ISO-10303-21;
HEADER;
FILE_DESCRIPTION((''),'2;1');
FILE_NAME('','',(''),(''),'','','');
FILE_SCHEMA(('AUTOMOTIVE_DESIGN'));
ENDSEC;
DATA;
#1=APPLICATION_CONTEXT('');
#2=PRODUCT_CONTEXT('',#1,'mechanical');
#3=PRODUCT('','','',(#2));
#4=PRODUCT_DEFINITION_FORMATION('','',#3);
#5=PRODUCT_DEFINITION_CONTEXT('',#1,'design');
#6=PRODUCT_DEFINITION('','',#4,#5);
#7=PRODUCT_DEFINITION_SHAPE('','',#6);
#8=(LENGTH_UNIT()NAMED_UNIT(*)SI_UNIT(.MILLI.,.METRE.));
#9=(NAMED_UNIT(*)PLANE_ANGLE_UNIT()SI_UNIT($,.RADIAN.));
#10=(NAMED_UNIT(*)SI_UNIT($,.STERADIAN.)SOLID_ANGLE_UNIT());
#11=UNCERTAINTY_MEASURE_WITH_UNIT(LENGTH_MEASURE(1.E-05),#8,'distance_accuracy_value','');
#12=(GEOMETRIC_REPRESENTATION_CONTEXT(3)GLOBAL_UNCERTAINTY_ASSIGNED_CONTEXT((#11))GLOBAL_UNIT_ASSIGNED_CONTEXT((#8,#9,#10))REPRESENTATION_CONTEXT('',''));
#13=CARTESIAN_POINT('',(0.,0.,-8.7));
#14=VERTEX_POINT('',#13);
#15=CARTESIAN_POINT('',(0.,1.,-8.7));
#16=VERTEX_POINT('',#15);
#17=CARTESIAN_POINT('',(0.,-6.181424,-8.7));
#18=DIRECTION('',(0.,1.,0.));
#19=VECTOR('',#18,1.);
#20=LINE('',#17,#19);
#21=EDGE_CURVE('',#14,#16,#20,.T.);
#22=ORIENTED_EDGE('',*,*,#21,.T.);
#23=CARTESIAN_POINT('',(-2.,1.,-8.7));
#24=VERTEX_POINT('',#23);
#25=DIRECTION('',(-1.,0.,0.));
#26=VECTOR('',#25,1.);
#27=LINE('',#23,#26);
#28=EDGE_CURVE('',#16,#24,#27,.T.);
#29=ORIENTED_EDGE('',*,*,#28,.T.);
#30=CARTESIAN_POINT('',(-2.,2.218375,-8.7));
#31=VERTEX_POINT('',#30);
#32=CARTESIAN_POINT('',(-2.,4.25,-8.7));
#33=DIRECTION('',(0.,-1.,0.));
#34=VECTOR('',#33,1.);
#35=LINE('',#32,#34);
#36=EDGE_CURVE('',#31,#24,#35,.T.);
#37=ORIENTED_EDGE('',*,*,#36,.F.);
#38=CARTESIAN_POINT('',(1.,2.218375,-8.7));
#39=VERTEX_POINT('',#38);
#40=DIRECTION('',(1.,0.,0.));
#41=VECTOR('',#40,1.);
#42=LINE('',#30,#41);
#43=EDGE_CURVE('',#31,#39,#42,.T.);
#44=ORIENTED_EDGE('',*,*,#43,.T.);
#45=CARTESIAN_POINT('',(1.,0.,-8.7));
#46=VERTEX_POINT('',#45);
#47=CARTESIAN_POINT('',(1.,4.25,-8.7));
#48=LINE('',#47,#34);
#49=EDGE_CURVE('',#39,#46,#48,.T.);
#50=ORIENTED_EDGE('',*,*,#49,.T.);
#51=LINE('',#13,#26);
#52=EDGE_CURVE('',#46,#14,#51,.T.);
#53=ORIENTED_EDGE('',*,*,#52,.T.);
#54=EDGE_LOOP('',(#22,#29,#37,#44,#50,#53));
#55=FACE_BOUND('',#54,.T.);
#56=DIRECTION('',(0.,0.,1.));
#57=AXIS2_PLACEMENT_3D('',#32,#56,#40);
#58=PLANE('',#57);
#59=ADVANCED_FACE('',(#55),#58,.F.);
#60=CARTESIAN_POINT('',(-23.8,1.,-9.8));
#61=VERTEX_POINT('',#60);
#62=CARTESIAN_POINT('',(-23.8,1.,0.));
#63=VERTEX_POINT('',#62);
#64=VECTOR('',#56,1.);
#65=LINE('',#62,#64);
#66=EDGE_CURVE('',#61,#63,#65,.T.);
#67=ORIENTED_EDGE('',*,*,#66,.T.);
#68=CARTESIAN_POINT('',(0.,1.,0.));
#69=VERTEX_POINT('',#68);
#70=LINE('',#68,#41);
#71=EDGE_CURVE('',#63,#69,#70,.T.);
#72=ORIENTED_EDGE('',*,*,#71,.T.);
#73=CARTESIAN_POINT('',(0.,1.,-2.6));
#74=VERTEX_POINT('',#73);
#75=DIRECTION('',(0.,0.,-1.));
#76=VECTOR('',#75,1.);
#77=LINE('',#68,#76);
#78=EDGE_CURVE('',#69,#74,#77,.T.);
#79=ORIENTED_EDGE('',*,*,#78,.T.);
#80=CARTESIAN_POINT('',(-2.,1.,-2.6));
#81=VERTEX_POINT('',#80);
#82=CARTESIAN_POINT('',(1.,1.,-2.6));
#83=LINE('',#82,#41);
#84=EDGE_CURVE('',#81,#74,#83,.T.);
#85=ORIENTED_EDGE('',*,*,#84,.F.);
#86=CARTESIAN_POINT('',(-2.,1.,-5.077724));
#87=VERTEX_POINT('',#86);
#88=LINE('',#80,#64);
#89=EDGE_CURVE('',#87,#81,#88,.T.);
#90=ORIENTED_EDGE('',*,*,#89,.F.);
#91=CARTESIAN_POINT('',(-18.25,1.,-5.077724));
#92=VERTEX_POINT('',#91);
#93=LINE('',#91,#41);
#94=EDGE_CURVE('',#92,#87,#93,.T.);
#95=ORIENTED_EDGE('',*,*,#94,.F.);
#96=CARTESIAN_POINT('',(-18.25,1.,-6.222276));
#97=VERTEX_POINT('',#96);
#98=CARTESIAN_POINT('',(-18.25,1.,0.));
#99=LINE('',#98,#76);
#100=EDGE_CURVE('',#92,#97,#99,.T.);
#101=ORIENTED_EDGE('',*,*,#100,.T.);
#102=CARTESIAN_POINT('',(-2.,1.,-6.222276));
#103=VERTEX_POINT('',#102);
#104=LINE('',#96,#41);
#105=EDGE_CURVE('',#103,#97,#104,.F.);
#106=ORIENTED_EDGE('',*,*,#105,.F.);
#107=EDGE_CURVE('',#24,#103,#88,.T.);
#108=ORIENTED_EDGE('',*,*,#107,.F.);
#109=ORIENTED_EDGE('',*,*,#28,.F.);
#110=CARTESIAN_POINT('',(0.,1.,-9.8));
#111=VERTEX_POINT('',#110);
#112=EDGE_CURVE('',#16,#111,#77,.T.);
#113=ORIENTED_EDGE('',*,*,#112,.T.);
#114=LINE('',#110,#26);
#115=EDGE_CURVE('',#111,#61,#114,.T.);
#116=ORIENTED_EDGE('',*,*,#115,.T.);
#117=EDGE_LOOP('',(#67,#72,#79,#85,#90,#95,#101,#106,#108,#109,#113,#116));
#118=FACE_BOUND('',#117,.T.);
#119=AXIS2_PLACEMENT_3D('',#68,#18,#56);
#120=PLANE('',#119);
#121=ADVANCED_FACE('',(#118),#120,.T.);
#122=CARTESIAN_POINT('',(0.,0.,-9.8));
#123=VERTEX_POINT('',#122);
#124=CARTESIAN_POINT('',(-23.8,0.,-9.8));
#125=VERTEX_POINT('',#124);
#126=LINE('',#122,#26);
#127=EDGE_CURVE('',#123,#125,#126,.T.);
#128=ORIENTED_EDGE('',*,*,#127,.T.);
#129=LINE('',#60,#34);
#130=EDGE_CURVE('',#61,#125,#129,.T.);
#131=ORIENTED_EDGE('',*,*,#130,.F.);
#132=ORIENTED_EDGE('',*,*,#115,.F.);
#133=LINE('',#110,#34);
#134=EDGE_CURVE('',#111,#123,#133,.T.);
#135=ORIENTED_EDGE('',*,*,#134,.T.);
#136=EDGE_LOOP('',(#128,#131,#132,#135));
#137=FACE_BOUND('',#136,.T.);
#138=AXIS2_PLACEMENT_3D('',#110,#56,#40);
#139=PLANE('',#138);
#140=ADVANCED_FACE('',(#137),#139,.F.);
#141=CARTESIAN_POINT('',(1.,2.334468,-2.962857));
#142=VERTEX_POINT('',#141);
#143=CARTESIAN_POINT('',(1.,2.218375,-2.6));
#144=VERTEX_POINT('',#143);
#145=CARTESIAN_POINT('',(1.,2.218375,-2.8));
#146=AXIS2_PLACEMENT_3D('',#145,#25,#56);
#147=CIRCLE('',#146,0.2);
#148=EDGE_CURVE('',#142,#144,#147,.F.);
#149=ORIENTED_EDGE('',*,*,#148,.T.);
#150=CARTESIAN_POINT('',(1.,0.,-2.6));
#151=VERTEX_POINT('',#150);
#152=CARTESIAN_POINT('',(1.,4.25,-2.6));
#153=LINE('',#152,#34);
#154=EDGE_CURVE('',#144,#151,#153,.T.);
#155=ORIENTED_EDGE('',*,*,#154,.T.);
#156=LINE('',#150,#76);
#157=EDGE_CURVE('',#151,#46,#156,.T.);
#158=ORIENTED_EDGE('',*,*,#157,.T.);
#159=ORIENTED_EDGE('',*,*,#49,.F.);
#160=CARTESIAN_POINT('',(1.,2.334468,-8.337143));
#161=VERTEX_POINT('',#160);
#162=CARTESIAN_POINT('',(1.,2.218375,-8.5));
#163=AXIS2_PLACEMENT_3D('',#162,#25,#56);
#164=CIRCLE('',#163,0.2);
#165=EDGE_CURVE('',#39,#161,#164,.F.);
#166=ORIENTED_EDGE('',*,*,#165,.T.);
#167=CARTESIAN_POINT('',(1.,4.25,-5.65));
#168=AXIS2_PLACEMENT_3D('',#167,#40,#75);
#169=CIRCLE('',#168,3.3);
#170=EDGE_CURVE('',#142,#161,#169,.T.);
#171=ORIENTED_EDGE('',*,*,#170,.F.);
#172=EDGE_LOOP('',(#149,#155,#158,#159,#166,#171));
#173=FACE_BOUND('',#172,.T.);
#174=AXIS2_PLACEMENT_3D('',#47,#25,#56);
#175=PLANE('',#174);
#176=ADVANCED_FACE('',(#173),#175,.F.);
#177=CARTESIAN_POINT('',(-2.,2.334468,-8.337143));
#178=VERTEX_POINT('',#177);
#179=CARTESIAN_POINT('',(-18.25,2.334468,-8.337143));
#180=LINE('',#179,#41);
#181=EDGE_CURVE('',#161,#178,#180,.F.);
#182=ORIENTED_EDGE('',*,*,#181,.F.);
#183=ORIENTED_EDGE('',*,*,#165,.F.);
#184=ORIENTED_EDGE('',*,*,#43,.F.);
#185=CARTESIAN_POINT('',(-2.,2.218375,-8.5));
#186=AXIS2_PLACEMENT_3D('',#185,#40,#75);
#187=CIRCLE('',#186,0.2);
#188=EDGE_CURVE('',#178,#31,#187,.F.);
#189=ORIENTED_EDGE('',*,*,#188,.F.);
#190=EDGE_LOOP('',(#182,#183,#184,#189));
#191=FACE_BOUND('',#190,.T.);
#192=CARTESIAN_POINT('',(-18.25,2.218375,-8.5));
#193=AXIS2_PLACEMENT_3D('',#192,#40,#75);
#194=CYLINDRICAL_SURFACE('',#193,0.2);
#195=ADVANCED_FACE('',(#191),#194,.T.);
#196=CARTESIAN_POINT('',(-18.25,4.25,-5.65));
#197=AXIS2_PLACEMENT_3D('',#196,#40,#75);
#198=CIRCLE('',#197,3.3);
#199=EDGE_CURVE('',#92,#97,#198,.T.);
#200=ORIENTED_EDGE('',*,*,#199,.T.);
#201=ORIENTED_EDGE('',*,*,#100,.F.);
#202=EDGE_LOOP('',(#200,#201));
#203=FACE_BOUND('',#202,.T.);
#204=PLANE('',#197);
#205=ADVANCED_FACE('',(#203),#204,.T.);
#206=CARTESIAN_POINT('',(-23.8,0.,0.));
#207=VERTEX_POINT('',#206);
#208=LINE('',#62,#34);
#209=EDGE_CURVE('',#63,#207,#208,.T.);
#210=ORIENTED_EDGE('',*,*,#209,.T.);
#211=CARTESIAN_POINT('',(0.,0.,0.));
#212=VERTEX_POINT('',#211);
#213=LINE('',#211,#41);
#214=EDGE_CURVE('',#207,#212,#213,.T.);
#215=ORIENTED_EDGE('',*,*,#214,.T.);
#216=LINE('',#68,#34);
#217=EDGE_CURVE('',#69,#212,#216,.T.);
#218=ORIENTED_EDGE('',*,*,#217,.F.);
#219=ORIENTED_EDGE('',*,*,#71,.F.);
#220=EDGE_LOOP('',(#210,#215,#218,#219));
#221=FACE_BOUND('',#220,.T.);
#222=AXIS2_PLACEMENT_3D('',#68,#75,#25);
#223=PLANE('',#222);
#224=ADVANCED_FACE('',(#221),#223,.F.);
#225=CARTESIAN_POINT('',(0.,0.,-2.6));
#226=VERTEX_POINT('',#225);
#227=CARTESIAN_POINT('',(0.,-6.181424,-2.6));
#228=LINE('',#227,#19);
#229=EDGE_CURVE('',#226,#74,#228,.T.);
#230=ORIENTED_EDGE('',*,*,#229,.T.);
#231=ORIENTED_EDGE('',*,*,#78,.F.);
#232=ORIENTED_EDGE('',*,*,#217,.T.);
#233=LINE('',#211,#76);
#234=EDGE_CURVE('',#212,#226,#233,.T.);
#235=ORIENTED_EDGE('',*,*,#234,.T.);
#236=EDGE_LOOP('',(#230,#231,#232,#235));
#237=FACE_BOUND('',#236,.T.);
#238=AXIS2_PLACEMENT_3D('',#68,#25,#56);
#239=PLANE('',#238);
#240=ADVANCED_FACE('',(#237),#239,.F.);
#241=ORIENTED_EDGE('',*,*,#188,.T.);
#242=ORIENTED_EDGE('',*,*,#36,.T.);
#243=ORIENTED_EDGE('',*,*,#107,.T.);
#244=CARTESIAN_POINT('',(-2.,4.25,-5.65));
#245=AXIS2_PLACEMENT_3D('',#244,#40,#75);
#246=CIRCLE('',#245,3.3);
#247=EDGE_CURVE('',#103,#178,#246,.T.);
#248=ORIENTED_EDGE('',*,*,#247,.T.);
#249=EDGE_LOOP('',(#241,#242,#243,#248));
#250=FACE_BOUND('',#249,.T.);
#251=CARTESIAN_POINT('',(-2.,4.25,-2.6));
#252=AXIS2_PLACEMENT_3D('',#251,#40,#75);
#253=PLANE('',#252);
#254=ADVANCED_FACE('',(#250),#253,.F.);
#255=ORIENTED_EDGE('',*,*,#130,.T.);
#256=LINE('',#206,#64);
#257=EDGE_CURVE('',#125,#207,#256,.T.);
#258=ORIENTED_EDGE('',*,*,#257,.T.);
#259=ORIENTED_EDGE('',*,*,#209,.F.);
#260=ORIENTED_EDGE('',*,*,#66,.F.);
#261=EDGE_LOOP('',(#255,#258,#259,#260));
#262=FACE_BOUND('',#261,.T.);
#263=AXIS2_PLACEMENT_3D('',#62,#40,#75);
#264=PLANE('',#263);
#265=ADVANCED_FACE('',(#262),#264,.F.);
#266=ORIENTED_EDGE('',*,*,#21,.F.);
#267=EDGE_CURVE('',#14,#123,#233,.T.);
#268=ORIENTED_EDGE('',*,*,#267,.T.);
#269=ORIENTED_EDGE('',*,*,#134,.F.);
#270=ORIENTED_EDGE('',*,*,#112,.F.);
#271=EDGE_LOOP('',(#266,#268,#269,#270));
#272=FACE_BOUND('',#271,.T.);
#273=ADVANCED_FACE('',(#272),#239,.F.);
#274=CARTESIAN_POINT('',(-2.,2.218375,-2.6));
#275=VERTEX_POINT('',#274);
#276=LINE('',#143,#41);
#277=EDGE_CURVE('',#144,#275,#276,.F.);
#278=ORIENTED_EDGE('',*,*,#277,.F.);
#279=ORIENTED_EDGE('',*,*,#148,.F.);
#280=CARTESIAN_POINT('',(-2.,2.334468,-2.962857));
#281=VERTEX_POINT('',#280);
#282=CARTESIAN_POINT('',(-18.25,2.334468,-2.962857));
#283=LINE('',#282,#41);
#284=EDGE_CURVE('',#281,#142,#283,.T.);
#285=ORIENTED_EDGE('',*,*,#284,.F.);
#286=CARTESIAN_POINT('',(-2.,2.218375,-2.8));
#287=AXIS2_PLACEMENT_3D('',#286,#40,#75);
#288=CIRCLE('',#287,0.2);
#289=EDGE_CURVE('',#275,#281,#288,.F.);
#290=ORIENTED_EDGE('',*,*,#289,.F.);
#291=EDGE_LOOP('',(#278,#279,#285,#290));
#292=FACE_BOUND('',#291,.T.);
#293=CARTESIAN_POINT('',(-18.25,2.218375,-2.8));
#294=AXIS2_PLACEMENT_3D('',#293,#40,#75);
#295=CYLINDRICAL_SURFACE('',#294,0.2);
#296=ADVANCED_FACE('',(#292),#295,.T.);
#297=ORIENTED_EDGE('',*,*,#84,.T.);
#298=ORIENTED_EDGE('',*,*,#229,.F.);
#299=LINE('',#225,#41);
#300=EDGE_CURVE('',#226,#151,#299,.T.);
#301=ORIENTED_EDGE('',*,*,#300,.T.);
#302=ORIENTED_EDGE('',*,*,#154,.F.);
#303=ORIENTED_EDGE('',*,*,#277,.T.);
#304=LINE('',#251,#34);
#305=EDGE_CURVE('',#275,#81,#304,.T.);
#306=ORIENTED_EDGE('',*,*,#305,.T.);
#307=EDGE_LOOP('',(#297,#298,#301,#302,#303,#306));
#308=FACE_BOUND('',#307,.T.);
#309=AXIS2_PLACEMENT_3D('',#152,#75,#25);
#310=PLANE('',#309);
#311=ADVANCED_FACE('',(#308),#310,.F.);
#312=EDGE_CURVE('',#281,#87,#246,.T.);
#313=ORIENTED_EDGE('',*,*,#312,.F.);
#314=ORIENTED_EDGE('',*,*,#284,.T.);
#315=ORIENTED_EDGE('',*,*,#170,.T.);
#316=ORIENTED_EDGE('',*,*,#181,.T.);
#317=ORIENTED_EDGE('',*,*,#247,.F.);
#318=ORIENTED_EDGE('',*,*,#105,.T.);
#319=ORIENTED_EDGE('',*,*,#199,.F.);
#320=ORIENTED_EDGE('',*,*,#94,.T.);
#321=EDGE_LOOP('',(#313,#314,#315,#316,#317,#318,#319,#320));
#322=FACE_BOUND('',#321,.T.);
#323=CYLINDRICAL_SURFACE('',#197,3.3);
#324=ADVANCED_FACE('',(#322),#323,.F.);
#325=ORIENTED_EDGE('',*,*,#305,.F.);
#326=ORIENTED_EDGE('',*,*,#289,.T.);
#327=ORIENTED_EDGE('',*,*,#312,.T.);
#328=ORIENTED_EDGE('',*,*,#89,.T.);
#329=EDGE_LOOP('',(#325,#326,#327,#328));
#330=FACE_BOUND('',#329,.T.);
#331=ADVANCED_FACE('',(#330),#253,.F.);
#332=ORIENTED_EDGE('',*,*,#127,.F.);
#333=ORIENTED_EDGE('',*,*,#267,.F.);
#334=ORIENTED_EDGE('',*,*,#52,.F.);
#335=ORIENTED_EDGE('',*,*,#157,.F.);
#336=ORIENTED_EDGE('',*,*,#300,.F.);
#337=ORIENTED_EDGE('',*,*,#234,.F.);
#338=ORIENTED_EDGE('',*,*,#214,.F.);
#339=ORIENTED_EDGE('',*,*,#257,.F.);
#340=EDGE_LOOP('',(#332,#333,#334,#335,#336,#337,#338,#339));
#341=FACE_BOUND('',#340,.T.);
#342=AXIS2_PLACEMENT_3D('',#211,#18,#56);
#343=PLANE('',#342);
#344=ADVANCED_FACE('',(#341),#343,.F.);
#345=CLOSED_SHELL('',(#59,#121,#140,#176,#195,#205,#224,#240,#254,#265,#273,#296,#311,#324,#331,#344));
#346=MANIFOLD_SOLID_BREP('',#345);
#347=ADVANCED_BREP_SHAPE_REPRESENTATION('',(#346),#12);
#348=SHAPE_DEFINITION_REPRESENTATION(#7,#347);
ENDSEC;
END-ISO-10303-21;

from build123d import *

# Parameters (mm, degrees)
SKETCH1_W           = 23.8
SKETCH1_H           = 9.8
BOSS_EXTRUDE1_DEPTH = 1
SKETCH2_W           = 3
SKETCH2_H           = 6.1
BOSS_EXTRUDE2_DEPTH = 3.25
SKETCH4_W           = 1
SKETCH4_H           = 6.1
BOSS_EXTRUDE3_DEPTH = 1
SKETCH3_R           = 3.3
CUT_EXTRUDE1_DEPTH  = 19.25
FILLET1_R           = 0.2


with BuildPart() as part:
    # Sketch1 → Boss-Extrude1 (new body)
    with BuildSketch(Plane(origin=(0, 0, 0), x_dir=(1, 0, 0), z_dir=(0, 1, 0))):
        with Locations((-11.9, 4.9)):
            Rectangle(SKETCH1_W, SKETCH1_H)
    extrude(amount=BOSS_EXTRUDE1_DEPTH)

    # Sketch2 → Boss-Extrude2 (add)
    with BuildSketch(Plane(origin=(0, 1, 0), x_dir=(1, 0, 0), z_dir=(0, 1, 0))):
        with Locations((-0.5, 5.65)):
            Rectangle(SKETCH2_W, SKETCH2_H)
    extrude(amount=BOSS_EXTRUDE2_DEPTH)

    # Sketch4 → Boss-Extrude3 (add)
    with BuildSketch(Plane.XZ.offset(-1)):
        with Locations((0.5, -5.65)):
            Rectangle(SKETCH4_W, SKETCH4_H)
    extrude(amount=BOSS_EXTRUDE3_DEPTH)

    # Sketch3 → Cut-Extrude1 (cut)
    with BuildSketch(Plane(origin=(1, 0, 0), x_dir=(0, 0, -1), z_dir=(1, 0, 0))):
        with Locations((5.65, 4.25)):
            Circle(SKETCH3_R)
    extrude(amount=-CUT_EXTRUDE1_DEPTH, mode=Mode.SUBTRACT)

    # Fillet1
    fillet1_edges = [part.edges().sort_by_distance(p)[0] for p in [
        (-0.5, 2.990039683, -2.6),
        (-0.5, 2.990039683, -8.7),
    ]]
    fillet(fillet1_edges, radius=FILLET1_R)


solid = part.part
